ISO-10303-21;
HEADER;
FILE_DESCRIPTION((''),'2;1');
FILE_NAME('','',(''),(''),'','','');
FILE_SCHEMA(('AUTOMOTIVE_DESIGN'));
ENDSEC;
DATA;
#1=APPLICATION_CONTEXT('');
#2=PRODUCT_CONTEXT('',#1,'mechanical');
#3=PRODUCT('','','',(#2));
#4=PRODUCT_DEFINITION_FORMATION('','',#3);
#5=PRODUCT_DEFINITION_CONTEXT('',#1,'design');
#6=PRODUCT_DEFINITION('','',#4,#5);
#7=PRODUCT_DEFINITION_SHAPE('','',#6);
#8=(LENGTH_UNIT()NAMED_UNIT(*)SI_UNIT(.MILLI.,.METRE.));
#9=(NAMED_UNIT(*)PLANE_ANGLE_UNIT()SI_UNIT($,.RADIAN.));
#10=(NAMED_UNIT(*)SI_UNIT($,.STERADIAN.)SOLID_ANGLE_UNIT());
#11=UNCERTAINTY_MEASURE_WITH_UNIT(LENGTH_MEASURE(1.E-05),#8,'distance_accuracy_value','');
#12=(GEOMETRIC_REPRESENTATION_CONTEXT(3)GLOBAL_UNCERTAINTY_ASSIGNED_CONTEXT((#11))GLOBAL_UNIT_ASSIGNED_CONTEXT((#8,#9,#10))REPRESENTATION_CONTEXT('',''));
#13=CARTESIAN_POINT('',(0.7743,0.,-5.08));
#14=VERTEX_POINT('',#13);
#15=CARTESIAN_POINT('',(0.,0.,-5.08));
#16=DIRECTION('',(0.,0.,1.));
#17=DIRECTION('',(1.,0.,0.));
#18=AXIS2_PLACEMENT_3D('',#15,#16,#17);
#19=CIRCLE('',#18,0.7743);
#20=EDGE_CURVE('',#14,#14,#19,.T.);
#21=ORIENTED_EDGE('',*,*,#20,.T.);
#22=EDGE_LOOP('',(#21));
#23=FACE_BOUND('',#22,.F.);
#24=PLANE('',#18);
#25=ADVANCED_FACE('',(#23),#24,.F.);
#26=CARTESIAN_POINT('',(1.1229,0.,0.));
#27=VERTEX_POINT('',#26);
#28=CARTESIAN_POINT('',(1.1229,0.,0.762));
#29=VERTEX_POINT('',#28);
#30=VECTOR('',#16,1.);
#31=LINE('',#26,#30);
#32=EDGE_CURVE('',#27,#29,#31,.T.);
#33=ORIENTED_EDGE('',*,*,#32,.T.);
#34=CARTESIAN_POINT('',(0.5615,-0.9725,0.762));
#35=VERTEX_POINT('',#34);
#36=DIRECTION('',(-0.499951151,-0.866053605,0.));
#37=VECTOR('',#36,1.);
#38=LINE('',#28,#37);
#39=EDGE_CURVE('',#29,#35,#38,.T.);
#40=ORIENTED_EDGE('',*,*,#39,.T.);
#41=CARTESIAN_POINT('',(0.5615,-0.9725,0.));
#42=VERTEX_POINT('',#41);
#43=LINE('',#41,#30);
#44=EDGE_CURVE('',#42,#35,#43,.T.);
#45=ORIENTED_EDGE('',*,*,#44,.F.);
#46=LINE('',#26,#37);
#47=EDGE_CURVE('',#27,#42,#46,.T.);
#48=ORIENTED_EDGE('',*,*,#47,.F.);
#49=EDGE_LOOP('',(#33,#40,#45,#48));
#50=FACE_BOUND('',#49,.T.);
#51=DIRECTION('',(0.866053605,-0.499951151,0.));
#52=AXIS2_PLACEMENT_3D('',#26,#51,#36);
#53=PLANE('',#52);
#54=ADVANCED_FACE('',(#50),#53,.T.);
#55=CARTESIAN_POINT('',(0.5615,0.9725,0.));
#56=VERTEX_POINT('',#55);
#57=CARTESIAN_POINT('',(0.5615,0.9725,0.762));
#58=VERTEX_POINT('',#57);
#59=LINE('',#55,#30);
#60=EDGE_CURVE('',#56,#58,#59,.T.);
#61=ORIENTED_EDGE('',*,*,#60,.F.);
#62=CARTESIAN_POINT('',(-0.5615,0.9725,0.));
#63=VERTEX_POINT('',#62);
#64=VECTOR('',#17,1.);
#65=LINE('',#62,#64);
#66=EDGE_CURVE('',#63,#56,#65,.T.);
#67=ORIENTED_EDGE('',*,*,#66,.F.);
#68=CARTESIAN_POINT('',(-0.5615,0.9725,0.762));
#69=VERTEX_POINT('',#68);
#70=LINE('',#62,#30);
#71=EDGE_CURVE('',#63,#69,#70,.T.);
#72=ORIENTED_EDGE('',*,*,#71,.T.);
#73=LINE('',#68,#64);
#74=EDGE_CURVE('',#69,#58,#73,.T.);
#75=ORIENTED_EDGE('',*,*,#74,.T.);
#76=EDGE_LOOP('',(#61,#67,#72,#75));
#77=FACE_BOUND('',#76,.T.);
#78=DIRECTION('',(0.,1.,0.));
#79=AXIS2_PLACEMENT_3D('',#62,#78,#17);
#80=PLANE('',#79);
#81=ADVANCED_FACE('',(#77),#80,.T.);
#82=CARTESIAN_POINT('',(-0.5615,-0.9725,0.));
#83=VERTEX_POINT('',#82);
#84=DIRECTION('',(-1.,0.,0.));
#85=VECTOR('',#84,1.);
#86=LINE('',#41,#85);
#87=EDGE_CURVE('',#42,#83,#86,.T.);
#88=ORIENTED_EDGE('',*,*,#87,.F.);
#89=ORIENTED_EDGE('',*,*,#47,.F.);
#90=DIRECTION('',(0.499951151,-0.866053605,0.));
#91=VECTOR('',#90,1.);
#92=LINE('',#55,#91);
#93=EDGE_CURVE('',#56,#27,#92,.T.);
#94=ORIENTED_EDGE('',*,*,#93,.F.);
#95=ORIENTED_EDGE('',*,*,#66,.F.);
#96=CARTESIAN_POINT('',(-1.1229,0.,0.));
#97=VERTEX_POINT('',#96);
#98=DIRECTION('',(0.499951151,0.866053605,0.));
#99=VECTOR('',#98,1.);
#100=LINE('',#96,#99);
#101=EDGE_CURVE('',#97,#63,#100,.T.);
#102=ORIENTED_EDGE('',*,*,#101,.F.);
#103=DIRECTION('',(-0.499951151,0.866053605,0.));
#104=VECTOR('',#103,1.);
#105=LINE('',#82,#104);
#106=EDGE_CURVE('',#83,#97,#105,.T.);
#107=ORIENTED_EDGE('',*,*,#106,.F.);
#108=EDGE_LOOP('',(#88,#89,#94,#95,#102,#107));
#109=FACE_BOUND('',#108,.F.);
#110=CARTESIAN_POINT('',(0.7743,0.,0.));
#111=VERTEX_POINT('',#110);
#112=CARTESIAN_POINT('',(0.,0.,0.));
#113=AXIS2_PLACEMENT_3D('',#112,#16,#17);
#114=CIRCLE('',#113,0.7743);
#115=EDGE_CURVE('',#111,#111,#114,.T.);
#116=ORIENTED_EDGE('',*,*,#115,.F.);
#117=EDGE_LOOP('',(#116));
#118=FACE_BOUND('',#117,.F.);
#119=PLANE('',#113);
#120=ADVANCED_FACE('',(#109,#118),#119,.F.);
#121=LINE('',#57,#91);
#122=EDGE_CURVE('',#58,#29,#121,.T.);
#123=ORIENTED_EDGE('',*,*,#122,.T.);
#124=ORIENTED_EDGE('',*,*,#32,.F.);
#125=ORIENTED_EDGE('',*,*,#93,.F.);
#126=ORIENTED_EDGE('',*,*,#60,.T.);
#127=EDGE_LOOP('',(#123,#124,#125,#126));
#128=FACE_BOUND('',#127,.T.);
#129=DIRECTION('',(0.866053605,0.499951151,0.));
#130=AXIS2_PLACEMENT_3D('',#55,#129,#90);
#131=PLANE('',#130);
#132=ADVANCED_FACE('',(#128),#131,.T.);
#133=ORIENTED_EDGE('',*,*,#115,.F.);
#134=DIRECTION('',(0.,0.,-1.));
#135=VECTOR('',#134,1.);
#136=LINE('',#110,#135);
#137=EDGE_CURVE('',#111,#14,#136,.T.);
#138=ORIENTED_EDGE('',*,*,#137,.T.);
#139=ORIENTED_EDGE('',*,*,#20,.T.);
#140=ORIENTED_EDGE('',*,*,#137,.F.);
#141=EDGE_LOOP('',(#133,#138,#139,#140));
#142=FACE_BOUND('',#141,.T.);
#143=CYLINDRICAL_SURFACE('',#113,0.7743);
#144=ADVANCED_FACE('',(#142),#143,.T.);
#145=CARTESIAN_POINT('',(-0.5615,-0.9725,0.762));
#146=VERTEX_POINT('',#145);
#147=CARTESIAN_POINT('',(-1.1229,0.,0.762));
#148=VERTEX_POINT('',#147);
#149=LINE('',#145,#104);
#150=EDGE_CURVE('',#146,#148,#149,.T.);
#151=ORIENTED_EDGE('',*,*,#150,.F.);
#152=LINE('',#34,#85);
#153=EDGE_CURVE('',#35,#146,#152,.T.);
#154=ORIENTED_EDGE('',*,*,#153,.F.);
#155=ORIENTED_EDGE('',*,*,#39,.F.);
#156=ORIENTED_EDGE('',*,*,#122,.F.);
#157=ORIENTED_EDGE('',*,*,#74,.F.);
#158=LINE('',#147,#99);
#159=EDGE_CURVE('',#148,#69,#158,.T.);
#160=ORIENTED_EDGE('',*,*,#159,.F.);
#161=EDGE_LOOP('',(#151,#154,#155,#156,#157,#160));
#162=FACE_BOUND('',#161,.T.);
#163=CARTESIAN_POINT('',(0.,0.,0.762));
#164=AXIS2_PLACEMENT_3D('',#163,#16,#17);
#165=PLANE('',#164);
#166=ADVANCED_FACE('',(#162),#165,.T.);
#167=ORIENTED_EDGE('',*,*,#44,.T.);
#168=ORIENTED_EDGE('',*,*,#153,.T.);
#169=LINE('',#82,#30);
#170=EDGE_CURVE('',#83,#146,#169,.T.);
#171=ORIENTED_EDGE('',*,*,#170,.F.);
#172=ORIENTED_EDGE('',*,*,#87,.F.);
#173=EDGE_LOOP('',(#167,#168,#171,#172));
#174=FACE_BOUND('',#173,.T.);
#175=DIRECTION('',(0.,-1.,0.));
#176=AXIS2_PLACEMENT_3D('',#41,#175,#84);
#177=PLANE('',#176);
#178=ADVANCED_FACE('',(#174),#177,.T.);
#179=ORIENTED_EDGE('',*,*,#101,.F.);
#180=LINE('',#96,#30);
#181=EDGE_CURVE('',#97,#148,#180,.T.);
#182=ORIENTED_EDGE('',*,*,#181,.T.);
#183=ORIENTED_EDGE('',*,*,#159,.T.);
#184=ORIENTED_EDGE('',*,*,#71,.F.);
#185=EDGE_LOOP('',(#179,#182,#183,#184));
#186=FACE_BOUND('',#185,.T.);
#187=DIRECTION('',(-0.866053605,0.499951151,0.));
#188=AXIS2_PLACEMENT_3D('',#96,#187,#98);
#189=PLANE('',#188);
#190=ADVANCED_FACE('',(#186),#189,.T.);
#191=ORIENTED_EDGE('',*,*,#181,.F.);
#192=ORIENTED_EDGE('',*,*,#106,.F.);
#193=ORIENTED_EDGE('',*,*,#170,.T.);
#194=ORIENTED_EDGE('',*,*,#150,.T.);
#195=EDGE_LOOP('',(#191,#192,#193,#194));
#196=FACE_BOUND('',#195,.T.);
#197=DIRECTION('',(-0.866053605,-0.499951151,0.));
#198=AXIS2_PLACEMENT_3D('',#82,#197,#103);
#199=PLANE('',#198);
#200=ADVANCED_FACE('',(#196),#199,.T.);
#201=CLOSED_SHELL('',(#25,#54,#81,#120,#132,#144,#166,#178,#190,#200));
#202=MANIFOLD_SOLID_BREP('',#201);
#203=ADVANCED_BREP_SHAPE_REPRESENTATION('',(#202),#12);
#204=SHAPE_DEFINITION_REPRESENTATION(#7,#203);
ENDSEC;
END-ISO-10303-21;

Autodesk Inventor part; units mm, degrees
ref_plane "YZ Plane" through (0, 0, 0) normal (1, 0, 0) x (0, 1, 0)
ref_plane "XZ Plane" through (0, 0, 0) normal (0, 1, 0) x (-1, 0, 0)
ref_plane "XY Plane" through (0, 0, 0) normal (0, 0, 1) x (1, 0, 0)
sketch "Sketch1" plane through (0, 0, 0) normal (0, 0, 1) x (1, 0, 0)
  circle A0 centre (0, 0) radius 0.7743
extrude "Extrusion1" add sketch "Sketch1" against normal blind 5.08
sketch "Sketch2" plane through (0, 0, 0) normal (0, 0, 1) x (1, 0, 0)
  circle A0 centre (0, 0) radius 0.7743 projected
  line L0 (-1.1229, 0) -> (-0.5615, 0.9725)
  line L1 (-0.5615, 0.9725) -> (0.5615, 0.9725)
  line L2 (0.5615, 0.9725) -> (1.1229, 0)
  line L3 (1.1229, 0) -> (0.5615, -0.9725)
  line L4 (0.5615, -0.9725) -> (-0.5615, -0.9725)
  line L5 (-0.5615, -0.9725) -> (-1.1229, 0)
extrude "Extrusion2" add sketch "Sketch2" along normal blind 0.762 contours A0 | L0 L1 L2 L3 L4 L5
properties part number "BOLT 3"
